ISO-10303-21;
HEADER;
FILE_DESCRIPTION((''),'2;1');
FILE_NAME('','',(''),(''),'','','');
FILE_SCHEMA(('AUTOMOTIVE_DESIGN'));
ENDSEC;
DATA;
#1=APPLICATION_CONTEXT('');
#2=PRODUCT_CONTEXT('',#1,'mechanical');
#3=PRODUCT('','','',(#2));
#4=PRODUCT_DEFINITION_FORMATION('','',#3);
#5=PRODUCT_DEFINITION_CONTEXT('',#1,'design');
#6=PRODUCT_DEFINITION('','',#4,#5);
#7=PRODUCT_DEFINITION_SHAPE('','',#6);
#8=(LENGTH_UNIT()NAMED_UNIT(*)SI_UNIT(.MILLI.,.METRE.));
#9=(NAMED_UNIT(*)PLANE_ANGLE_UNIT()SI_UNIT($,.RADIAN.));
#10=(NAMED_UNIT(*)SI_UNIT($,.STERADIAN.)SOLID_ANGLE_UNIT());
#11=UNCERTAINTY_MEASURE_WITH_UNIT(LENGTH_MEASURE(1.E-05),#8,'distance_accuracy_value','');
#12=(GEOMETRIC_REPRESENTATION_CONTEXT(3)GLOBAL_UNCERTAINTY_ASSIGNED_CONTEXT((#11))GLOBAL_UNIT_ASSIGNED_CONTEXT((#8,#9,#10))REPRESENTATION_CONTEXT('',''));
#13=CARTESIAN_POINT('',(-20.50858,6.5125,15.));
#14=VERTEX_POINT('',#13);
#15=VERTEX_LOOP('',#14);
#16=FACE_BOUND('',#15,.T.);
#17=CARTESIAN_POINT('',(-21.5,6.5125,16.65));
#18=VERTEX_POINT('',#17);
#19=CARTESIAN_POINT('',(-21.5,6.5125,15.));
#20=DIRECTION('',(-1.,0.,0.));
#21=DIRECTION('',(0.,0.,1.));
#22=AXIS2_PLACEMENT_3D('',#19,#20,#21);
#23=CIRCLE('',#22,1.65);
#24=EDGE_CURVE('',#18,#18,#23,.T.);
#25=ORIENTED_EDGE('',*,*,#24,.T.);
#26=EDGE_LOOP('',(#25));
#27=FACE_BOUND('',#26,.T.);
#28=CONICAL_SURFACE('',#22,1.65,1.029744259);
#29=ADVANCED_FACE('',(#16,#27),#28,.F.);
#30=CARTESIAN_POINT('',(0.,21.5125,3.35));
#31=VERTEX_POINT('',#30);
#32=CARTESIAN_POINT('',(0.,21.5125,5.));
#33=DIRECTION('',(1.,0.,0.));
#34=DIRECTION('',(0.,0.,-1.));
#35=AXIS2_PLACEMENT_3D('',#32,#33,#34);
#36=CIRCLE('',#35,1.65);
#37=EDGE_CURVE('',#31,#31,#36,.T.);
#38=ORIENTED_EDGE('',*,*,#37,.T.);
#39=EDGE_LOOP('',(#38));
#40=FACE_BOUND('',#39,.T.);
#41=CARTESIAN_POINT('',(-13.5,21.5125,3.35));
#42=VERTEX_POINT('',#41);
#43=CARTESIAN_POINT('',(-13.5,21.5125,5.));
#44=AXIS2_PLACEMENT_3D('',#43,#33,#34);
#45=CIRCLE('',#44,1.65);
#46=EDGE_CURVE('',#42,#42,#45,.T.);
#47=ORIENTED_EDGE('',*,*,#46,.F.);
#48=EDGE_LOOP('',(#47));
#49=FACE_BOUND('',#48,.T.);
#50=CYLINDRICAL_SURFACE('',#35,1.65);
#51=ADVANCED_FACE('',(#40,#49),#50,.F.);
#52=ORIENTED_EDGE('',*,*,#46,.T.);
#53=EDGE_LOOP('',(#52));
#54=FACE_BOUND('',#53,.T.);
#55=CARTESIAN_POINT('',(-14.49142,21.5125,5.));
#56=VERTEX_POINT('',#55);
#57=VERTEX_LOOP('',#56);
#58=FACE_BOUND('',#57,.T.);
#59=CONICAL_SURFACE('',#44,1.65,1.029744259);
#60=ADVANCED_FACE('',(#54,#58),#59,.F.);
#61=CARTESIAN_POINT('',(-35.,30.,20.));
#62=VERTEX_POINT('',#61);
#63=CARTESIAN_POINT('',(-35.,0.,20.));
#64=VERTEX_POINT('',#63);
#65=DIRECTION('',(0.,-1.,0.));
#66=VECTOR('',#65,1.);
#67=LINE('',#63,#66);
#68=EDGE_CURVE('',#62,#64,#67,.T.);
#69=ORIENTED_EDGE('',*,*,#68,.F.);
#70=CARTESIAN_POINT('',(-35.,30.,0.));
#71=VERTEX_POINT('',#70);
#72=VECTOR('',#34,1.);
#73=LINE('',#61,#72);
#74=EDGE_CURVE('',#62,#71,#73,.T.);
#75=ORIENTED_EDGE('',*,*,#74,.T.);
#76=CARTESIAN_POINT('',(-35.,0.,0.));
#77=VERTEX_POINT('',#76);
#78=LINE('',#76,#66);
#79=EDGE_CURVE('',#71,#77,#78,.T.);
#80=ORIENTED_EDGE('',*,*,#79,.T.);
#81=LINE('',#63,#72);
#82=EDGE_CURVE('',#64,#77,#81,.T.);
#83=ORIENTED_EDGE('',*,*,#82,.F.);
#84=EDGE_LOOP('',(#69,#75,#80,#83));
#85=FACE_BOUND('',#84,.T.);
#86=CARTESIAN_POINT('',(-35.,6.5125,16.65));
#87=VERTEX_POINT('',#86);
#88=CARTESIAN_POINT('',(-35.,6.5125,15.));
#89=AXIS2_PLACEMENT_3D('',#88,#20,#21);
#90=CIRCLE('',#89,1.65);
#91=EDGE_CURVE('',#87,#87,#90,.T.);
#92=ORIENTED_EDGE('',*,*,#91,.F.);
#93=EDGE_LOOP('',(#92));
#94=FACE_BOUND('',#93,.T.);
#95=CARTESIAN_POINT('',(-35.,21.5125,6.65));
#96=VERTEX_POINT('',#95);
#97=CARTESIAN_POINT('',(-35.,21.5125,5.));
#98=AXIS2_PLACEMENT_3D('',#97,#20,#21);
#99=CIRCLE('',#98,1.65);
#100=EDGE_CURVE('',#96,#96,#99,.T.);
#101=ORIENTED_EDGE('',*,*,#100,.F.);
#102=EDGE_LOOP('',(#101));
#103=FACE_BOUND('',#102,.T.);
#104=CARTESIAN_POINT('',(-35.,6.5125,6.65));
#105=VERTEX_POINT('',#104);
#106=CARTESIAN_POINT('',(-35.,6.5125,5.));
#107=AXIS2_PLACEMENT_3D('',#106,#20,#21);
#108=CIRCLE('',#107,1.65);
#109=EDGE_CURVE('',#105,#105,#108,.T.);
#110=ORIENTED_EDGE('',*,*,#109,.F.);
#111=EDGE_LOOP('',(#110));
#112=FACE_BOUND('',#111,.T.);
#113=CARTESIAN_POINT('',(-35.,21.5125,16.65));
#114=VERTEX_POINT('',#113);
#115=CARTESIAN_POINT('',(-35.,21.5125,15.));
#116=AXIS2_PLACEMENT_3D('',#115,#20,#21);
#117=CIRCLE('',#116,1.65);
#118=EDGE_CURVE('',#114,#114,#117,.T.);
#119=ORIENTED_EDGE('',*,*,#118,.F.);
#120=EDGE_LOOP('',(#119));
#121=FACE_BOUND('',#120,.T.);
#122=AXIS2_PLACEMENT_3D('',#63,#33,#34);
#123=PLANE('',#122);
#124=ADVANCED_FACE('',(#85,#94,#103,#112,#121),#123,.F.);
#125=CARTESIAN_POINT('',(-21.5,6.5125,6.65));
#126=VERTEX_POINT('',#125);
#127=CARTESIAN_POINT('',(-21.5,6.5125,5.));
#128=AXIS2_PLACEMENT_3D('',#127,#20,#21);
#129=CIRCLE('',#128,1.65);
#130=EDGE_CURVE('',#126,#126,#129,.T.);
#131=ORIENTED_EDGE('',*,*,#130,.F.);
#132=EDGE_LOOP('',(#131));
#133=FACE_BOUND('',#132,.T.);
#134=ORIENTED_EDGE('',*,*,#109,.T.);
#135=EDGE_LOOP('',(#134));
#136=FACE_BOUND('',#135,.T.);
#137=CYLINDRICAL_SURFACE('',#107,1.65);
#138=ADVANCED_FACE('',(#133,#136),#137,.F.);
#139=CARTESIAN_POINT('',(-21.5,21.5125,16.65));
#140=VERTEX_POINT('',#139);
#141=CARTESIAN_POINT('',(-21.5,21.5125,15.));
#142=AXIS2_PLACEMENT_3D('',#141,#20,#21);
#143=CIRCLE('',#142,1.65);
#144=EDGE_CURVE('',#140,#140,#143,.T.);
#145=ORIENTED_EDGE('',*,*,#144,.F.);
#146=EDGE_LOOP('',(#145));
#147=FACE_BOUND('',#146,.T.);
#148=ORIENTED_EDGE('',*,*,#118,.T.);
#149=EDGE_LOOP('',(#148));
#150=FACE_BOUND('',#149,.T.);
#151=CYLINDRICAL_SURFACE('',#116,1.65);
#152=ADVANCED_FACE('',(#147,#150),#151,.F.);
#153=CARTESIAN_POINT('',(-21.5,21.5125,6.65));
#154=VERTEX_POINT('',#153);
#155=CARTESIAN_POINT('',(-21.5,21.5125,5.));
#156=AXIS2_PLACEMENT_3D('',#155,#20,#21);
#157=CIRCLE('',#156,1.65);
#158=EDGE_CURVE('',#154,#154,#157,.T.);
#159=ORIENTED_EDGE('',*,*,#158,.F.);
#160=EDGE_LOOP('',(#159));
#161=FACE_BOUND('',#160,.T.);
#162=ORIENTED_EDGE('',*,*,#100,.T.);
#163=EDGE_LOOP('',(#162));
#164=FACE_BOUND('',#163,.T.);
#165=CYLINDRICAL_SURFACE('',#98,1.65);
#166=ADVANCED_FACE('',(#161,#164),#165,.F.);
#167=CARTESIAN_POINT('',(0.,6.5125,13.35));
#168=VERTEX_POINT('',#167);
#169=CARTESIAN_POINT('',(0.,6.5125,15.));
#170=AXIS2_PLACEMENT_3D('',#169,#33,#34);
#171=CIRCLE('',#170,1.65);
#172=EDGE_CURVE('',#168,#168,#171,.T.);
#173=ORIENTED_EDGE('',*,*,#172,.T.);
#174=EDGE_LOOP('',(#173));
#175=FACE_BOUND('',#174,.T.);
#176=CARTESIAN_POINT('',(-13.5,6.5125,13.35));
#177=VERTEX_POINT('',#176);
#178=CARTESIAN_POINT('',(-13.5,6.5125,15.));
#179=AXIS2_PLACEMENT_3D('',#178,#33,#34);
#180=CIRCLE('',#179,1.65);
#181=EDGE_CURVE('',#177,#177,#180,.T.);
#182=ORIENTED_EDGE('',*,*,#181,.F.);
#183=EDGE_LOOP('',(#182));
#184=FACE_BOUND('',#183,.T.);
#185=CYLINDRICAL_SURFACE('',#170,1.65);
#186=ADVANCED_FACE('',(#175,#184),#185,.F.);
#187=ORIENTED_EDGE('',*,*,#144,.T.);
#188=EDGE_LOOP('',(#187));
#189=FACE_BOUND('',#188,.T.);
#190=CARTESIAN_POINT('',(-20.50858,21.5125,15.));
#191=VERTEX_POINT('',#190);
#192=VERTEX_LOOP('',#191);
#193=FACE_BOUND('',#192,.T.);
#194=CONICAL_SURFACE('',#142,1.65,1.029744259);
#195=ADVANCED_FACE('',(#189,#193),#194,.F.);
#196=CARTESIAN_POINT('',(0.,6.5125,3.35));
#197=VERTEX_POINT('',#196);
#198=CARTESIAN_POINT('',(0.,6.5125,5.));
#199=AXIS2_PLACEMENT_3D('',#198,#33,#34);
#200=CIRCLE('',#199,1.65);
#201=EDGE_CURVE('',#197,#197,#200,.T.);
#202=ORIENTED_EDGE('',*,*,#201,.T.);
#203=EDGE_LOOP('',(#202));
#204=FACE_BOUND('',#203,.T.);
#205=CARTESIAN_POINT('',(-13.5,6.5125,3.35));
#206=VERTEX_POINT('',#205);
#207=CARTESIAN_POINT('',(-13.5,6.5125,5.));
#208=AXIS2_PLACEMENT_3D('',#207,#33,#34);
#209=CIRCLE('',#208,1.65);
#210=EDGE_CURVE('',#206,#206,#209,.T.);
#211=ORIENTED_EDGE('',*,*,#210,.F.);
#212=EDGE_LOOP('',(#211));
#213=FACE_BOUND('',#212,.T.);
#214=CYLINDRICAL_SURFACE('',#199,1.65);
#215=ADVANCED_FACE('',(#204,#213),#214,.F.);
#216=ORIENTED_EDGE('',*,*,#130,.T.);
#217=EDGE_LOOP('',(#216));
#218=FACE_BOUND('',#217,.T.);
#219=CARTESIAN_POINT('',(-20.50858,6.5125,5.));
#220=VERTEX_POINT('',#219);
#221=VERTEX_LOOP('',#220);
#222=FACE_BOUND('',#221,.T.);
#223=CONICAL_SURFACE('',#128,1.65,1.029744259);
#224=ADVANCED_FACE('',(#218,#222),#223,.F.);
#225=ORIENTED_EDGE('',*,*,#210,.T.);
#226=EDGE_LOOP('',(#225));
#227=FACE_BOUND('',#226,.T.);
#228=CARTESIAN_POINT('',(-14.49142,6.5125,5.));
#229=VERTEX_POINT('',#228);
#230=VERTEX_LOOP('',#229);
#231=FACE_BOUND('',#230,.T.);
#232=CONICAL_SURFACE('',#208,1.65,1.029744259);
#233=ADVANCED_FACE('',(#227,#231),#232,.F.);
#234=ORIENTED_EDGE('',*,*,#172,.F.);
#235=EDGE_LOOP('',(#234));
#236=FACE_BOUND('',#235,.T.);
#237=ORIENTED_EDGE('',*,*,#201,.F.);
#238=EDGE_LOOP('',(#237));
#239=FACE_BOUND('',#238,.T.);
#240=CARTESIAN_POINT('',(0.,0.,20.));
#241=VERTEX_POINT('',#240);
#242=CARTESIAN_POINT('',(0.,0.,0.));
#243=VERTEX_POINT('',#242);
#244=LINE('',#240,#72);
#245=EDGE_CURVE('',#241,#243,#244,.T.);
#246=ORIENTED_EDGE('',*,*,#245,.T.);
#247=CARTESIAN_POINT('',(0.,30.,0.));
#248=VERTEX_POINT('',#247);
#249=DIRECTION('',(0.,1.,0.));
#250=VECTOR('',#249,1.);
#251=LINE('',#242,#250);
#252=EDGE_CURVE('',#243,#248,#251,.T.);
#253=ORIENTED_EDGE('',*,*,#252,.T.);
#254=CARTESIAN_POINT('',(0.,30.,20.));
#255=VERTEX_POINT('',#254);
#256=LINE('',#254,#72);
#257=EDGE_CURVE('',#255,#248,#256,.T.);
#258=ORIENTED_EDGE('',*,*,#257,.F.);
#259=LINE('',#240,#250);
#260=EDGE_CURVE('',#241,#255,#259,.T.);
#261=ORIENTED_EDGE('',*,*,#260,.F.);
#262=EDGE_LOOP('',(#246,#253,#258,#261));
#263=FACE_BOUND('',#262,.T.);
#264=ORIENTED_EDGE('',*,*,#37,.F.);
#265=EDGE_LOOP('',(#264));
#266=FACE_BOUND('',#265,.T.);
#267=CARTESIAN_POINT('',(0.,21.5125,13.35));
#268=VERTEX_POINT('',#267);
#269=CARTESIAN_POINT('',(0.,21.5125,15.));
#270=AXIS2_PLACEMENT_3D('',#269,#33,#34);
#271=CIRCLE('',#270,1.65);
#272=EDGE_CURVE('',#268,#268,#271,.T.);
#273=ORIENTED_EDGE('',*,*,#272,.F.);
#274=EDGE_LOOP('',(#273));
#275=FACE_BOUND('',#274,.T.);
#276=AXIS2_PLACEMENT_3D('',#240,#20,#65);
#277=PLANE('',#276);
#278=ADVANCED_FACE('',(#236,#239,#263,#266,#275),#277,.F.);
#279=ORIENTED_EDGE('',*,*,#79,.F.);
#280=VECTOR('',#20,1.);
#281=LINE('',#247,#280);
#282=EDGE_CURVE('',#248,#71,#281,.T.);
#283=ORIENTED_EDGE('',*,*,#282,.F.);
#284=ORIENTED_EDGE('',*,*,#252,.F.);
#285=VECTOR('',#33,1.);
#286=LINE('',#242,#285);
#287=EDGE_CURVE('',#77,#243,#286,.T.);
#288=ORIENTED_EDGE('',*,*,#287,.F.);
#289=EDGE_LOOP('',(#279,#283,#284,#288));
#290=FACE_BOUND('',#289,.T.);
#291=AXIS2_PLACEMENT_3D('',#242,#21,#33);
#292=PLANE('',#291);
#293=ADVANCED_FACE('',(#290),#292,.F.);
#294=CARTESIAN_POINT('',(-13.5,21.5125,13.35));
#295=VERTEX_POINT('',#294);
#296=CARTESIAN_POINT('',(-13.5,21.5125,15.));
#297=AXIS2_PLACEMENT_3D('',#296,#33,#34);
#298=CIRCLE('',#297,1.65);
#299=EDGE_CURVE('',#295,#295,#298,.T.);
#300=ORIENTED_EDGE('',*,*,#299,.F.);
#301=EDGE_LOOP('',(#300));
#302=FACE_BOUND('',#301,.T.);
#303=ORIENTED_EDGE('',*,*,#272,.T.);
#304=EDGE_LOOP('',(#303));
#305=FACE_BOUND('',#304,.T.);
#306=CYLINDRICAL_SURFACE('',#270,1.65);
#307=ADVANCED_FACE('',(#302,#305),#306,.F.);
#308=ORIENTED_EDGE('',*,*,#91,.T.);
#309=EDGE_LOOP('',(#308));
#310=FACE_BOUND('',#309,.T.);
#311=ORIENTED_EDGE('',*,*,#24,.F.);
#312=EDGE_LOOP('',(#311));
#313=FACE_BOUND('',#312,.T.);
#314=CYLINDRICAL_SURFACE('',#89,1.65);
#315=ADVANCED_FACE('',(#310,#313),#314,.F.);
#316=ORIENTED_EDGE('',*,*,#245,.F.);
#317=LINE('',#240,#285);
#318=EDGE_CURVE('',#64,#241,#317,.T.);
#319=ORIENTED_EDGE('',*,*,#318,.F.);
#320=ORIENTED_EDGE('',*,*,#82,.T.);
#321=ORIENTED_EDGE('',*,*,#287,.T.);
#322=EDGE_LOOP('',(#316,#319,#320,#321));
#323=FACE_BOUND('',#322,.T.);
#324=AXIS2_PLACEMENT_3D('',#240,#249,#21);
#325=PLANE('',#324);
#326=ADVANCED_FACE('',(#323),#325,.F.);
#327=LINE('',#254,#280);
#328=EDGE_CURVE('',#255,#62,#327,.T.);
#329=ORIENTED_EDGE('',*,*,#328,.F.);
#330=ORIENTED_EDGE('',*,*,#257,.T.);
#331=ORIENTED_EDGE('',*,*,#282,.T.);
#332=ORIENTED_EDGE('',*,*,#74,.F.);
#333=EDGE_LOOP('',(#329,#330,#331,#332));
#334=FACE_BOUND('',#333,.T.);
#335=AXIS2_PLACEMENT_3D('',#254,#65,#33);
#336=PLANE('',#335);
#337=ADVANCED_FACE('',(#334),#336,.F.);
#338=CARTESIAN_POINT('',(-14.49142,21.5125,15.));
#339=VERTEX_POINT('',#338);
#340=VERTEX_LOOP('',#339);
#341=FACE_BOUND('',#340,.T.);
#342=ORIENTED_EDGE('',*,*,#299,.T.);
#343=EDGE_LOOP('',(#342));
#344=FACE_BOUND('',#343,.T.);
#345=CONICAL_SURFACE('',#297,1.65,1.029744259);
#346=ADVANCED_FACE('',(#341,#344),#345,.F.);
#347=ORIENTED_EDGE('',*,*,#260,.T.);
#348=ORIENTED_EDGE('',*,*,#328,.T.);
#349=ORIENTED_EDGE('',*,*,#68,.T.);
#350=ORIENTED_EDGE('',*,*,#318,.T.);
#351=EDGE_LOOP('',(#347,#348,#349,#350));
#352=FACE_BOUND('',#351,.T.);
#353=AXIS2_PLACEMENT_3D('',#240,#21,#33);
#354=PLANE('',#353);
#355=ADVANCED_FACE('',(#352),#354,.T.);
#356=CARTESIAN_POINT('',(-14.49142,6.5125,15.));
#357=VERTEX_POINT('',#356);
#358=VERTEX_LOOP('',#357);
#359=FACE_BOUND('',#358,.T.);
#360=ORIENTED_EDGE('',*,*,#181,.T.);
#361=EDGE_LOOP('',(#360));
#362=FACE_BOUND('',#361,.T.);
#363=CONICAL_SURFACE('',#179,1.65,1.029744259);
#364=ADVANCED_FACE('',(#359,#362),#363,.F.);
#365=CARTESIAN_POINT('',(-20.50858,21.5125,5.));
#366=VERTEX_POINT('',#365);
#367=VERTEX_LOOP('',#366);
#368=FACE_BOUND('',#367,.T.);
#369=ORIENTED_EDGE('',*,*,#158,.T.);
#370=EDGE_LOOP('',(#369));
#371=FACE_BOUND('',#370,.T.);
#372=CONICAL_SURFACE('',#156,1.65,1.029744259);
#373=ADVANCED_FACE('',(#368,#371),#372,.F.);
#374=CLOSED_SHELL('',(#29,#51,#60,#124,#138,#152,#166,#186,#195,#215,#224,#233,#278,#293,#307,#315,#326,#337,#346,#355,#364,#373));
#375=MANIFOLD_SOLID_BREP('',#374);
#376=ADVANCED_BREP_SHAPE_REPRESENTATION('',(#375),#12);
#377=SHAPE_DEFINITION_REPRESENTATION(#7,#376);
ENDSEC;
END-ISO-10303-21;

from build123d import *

# Parameters (mm, degrees)
SKETCH1_W                      = 35
SKETCH1_H                      = 30
BOSS_EXTRUDE1_DEPTH            = 20
M4X0_7_TAPPED_HOLE1_AT_2_COUNT = 2
M4X0_7_TAPPED_HOLE1_AT_2_PITCH = 18.027756377
M4X0_7_TAPPED_HOLE1_AT_3_COUNT = 2
M4X0_7_TAPPED_HOLE1_AT_3_PITCH = 15
M4X0_7_TAPPED_HOLE1_AT_4_COUNT = 2
M4X0_7_TAPPED_HOLE1_AT_4_PITCH = 10


with BuildPart() as part:
    # Sketch1 → Boss-Extrude1 (new body)
    with BuildSketch(Plane.XY):
        with Locations((-17.5, 15)):
            Rectangle(SKETCH1_W, SKETCH1_H)
    extrude(amount=BOSS_EXTRUDE1_DEPTH)

    # Sketch6 → M4x0.7 Tapped Hole1 (revolve, cut)
    with BuildSketch(Plane(origin=(-35, 21.5125, 5), x_dir=(0, 0, 1), z_dir=(0, 1, 0))):
        Polygon((0, 0), (0, 14.491420021), (1.65, 13.5), (1.65, 0), align=None)
    m4x0_7_tapped_hole1 = revolve(axis=Axis((-41.35, 21.5125, 5), (1, 0, 0)), mode=Mode.SUBTRACT)

    # M4x0.7 Tapped Hole1 at 2: M4x0.7 Tapped Hole1 ×2
    with Locations(*[Vector(0, -0.832050294, 0.554700196) * (i * M4X0_7_TAPPED_HOLE1_AT_2_PITCH) for i in range(1, M4X0_7_TAPPED_HOLE1_AT_2_COUNT)]):
        add(m4x0_7_tapped_hole1, mode=Mode.SUBTRACT)

    # M4x0.7 Tapped Hole1 at 3: M4x0.7 Tapped Hole1 ×2
    with Locations(*[(0, -i * M4X0_7_TAPPED_HOLE1_AT_3_PITCH, 0) for i in range(1, M4X0_7_TAPPED_HOLE1_AT_3_COUNT)]):
        add(m4x0_7_tapped_hole1, mode=Mode.SUBTRACT)

    # M4x0.7 Tapped Hole1 at 4: M4x0.7 Tapped Hole1 ×2
    with Locations(*[(0, 0, i * M4X0_7_TAPPED_HOLE1_AT_4_PITCH) for i in range(1, M4X0_7_TAPPED_HOLE1_AT_4_COUNT)]):
        add(m4x0_7_tapped_hole1, mode=Mode.SUBTRACT)

    # Mirror1: M4x0.7 Tapped Hole1 across plane
    add(m4x0_7_tapped_hole1.mirror(Plane.ZY.offset(17.5)), mode=Mode.SUBTRACT)

    # Mirror1 copy 1 sketch → Mirror1 copy 1 (revolve, cut)
    with BuildSketch(Plane(origin=(0, 6.5125, 15), x_dir=(0, 0, 1), z_dir=(0, 1, 0))):
        Polygon((0, 0), (0, -14.491420021), (1.65, -13.5), (1.65, 0), align=None)
    revolve(axis=Axis((6.35, 6.5125, 15), (1, 0, 0)), mode=Mode.SUBTRACT)

    # Mirror1 copy 2 sketch → Mirror1 copy 2 (revolve, cut)
    with BuildSketch(Plane(origin=(0, 6.5125, 5), x_dir=(0, 0, 1), z_dir=(0, 1, 0))):
        Polygon((0, 0), (0, -14.491420021), (1.65, -13.5), (1.65, 0), align=None)
    revolve(axis=Axis((6.35, 6.5125, 5), (1, 0, 0)), mode=Mode.SUBTRACT)

    # Mirror1 copy 3 sketch → Mirror1 copy 3 (revolve, cut)
    with BuildSketch(Plane(origin=(0, 21.5125, 15), x_dir=(0, 0, 1), z_dir=(0, 1, 0))):
        Polygon((0, 0), (0, -14.491420021), (1.65, -13.5), (1.65, 0), align=None)
    revolve(axis=Axis((6.35, 21.5125, 15), (1, 0, 0)), mode=Mode.SUBTRACT)


solid = part.part
